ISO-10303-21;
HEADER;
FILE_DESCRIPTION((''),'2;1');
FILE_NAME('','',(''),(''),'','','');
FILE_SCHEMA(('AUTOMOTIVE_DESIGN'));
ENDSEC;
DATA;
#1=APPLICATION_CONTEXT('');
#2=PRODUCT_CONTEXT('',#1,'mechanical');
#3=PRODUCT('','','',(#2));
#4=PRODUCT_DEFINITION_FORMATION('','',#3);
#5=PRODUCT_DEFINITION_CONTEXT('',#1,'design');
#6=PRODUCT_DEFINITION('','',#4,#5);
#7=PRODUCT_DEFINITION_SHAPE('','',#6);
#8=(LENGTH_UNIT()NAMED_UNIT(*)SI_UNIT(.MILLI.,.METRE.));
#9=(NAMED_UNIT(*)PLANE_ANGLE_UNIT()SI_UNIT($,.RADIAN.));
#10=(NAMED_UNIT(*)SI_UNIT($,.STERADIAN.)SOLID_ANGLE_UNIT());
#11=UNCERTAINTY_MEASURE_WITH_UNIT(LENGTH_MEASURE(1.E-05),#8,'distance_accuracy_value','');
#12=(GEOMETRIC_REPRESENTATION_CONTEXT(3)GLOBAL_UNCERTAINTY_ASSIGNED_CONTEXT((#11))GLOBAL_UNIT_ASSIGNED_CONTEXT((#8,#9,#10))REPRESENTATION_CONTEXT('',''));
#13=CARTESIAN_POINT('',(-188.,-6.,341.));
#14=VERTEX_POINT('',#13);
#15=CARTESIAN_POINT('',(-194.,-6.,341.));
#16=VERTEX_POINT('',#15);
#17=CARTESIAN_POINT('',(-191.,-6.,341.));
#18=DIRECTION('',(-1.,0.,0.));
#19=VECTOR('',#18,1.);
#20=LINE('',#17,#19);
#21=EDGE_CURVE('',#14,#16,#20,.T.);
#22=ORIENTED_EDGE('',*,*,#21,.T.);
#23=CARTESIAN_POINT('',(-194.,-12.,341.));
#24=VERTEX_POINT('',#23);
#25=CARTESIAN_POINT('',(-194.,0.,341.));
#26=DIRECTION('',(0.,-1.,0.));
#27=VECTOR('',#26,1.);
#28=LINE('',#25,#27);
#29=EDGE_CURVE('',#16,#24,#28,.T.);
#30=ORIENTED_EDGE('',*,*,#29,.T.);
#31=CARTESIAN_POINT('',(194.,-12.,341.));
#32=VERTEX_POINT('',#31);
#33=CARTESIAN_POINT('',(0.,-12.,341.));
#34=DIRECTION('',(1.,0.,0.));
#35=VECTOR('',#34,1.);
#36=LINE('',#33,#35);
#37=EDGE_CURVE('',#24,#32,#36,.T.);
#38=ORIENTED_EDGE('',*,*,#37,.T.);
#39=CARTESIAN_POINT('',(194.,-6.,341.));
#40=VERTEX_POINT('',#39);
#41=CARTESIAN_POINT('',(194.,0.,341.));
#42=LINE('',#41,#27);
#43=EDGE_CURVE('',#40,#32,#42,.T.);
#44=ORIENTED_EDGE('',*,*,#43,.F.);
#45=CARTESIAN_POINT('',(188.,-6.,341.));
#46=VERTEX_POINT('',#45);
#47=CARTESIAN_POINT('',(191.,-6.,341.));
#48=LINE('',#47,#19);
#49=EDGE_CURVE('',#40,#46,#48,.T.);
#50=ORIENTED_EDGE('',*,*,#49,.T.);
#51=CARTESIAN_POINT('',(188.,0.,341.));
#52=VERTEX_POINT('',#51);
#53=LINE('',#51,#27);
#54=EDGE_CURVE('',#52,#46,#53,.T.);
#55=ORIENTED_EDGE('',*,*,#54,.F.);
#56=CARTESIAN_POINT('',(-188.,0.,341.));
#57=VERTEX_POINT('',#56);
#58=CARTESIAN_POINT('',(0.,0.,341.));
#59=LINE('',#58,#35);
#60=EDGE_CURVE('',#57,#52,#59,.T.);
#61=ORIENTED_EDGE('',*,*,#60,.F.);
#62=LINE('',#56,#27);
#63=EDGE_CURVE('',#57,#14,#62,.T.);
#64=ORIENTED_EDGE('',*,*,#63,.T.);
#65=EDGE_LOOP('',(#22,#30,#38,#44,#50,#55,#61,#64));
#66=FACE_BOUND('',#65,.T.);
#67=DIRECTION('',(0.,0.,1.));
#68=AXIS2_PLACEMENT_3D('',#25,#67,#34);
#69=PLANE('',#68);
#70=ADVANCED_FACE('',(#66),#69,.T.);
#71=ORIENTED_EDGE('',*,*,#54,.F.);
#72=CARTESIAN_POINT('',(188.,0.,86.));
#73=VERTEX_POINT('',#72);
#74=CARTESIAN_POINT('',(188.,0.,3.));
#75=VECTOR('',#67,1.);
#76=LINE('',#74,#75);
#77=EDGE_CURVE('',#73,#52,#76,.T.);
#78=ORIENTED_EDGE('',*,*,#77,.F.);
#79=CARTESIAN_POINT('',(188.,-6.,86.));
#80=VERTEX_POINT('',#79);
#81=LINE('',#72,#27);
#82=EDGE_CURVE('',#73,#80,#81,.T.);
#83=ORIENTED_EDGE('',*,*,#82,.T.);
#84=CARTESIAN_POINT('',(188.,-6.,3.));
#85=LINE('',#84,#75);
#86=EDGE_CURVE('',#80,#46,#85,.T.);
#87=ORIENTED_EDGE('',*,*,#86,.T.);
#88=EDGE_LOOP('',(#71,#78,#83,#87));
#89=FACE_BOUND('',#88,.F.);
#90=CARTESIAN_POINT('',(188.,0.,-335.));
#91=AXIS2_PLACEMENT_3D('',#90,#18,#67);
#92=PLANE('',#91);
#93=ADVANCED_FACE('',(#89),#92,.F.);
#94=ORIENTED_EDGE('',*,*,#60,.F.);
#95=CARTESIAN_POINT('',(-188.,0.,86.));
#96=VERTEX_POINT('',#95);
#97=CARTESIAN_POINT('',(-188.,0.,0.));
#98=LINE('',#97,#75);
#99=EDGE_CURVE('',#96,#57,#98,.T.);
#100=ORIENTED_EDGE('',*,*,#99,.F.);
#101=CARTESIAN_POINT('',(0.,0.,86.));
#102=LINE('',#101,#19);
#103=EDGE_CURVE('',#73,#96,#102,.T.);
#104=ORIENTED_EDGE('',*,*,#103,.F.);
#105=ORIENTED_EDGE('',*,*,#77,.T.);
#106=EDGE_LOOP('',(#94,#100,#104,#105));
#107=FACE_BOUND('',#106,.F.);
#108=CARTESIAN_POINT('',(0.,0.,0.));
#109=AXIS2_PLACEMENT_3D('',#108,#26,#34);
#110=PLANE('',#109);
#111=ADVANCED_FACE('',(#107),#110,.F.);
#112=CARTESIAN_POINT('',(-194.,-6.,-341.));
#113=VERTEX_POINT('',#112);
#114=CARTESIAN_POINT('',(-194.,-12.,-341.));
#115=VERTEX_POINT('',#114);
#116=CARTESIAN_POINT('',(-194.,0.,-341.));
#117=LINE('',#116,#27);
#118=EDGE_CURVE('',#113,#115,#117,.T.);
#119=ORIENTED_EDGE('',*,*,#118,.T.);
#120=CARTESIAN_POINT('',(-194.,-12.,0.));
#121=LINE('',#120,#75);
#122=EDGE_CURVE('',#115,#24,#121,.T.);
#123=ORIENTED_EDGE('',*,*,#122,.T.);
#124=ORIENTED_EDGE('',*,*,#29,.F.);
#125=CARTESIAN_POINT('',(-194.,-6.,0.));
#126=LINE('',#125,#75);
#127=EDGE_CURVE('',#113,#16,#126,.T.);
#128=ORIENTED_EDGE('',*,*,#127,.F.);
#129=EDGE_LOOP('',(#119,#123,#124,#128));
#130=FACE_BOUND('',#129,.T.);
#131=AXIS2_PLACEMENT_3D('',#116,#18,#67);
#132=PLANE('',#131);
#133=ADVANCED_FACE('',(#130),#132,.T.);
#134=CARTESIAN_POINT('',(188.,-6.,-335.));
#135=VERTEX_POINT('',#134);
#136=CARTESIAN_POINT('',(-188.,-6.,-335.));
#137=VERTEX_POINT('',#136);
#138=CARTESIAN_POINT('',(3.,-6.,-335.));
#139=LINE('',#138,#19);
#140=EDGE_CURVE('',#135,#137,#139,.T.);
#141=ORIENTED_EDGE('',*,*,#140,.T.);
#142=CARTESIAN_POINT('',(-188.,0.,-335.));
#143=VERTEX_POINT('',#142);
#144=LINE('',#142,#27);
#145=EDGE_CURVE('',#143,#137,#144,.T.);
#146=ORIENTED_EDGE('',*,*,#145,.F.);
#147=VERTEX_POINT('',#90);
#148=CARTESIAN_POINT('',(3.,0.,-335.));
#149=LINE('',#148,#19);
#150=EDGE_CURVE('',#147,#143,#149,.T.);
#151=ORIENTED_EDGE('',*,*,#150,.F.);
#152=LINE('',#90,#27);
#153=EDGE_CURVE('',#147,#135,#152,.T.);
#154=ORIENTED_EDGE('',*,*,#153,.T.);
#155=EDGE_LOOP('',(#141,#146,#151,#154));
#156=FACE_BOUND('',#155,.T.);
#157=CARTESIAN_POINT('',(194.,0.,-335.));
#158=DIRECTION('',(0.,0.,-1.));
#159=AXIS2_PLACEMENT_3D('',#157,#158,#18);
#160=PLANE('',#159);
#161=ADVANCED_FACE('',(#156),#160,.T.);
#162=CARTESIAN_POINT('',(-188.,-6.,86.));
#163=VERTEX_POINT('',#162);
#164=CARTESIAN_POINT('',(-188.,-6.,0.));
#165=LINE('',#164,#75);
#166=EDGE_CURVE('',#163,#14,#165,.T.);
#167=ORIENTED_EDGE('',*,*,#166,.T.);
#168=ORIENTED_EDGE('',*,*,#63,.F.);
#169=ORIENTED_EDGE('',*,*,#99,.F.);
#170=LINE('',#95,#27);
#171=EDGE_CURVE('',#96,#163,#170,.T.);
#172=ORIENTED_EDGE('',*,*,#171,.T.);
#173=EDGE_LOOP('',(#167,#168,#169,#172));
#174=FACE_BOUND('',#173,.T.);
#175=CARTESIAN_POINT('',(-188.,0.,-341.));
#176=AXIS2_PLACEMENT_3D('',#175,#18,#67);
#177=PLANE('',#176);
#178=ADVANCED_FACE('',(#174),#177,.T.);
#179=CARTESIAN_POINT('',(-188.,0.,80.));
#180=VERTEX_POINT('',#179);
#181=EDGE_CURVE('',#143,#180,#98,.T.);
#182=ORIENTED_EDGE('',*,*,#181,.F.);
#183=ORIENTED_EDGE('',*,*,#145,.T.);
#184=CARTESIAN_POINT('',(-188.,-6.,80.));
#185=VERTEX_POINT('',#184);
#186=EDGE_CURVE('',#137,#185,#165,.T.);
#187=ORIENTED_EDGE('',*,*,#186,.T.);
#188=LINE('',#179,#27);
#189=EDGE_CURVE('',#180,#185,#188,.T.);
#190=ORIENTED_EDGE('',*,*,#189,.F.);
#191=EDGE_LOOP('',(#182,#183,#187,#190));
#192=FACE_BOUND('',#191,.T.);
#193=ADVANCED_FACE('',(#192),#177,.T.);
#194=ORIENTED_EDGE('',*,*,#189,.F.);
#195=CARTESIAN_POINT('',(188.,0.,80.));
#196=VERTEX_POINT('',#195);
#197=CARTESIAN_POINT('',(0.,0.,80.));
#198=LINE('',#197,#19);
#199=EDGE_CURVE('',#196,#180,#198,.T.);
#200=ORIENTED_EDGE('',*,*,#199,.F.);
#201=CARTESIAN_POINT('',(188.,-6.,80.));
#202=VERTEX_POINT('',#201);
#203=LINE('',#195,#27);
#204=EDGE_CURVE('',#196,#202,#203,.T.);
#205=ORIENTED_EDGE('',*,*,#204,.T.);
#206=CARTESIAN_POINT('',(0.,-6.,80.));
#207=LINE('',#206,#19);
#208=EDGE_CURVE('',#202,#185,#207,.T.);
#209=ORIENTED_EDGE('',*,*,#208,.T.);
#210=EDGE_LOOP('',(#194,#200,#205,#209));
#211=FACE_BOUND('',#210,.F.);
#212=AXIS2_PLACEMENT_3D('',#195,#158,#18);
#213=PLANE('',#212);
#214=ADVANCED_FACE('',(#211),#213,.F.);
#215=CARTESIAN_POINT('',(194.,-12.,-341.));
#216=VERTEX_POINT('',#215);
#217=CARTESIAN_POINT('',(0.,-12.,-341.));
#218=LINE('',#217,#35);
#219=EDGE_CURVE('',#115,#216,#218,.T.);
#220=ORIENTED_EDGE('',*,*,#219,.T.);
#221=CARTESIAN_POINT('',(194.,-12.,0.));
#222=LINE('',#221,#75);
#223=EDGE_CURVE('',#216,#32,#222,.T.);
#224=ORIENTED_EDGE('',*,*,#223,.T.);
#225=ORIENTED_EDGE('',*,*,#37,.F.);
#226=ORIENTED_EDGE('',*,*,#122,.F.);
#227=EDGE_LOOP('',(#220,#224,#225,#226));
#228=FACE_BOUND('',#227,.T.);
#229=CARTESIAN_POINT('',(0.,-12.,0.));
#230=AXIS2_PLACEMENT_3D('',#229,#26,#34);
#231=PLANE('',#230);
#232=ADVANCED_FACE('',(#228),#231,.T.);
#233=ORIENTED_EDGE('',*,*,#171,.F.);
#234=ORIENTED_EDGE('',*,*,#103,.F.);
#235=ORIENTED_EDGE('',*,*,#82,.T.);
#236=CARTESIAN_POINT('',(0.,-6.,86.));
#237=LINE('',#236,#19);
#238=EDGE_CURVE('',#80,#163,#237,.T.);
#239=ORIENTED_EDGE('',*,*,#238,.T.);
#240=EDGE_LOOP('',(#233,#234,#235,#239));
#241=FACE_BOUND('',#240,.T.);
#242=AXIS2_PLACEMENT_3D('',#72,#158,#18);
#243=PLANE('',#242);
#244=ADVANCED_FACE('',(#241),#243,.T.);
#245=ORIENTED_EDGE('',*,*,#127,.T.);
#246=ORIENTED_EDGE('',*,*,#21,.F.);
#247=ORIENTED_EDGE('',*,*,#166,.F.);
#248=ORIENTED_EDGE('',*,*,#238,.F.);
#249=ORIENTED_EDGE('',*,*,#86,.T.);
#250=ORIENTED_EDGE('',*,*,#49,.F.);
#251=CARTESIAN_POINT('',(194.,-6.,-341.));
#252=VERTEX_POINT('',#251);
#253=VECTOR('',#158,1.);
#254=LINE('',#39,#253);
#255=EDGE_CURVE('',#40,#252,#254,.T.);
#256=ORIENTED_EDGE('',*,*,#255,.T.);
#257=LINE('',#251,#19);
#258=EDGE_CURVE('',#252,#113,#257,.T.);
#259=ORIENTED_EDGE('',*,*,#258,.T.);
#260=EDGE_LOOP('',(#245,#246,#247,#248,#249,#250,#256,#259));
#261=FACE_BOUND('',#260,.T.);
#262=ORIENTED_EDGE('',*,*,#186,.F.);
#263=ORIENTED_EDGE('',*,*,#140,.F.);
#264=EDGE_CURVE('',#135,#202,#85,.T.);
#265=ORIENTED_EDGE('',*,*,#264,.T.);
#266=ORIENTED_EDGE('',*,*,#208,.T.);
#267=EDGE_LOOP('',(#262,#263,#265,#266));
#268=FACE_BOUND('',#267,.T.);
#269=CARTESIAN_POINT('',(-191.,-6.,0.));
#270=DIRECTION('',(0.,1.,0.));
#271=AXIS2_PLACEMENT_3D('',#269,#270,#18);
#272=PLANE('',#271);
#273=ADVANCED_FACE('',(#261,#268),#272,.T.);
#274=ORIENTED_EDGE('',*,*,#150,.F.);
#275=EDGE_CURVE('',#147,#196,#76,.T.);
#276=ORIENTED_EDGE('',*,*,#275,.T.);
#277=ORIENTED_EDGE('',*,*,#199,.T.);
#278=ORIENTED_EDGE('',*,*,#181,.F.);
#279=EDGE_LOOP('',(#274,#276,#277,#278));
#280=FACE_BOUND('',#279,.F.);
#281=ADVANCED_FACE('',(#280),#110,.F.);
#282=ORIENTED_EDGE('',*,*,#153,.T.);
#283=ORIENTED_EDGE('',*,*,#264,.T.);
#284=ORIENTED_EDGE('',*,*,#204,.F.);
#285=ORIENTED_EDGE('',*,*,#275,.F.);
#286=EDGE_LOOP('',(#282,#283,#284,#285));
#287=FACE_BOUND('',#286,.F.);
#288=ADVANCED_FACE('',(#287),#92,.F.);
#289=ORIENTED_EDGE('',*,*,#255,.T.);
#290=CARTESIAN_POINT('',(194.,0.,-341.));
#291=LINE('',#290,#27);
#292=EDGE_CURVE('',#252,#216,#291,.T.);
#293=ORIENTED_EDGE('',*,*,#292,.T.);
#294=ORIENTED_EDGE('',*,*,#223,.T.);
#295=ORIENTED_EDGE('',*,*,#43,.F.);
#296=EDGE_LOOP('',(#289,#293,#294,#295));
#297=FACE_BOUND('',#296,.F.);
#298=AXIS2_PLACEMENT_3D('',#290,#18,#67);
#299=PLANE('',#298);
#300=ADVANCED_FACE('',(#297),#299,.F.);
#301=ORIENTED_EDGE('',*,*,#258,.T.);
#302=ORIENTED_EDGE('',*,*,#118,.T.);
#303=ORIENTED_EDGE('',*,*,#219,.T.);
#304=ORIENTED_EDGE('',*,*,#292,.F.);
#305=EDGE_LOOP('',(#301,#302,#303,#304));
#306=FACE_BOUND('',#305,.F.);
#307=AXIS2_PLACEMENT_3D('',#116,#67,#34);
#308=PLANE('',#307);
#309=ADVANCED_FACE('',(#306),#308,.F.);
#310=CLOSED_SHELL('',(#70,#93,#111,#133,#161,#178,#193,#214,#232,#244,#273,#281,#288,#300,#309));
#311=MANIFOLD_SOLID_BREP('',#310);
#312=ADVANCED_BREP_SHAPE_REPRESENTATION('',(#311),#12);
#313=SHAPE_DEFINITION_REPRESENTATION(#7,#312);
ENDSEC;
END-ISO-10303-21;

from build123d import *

# Parameters (mm, degrees)
F0_W     = 388
F0_H     = 682
F1_DEPTH = 12
F2_W     = 6
F2_H     = 682
F3_DEPTH = 6
F4_W     = 382
F4_H     = 6
F5_DEPTH = 6
F6_W     = 6
F6_H     = 676
F7_DEPTH = 6
F8_W     = 376
F8_H     = 6
F9_DEPTH = 6


with BuildPart() as f1:
    # F0 (on Front) → F1 (new body)
    with BuildSketch(Plane.XZ):
        Rectangle(F0_W, F0_H)
    extrude(amount=F1_DEPTH)

    # F2 (on face) → F3 (cut)
    with BuildSketch(Plane(origin=(0, 0, 0), x_dir=(-1, 0, 0), z_dir=(0, 1, 0))):
        with Locations((191, 0)):
            Rectangle(F2_W, F2_H)
    extrude(amount=-F3_DEPTH, mode=Mode.SUBTRACT)

    # F4 (on face) → F5 (cut)
    with BuildSketch(Plane(origin=(0, 0, 0), x_dir=(-1, 0, 0), z_dir=(0, 1, 0))):
        with Locations((-3, -338)):
            Rectangle(F4_W, F4_H)
    extrude(amount=-F5_DEPTH, mode=Mode.SUBTRACT)

    # F6 (on face) → F7 (cut)
    with BuildSketch(Plane(origin=(0, 0, 0), x_dir=(-1, 0, 0), z_dir=(0, 1, 0))):
        with Locations((-191, 3)):
            Rectangle(F6_W, F6_H)
    extrude(amount=-F7_DEPTH, mode=Mode.SUBTRACT)

    # F8 (on face) → F9 (cut)
    with BuildSketch(Plane(origin=(0, 0, 0), x_dir=(-1, 0, 0), z_dir=(0, 1, 0))):
        with Locations((0, 83)):
            Rectangle(F8_W, F8_H)
    extrude(amount=-F9_DEPTH, mode=Mode.SUBTRACT)


solid = f1.part
